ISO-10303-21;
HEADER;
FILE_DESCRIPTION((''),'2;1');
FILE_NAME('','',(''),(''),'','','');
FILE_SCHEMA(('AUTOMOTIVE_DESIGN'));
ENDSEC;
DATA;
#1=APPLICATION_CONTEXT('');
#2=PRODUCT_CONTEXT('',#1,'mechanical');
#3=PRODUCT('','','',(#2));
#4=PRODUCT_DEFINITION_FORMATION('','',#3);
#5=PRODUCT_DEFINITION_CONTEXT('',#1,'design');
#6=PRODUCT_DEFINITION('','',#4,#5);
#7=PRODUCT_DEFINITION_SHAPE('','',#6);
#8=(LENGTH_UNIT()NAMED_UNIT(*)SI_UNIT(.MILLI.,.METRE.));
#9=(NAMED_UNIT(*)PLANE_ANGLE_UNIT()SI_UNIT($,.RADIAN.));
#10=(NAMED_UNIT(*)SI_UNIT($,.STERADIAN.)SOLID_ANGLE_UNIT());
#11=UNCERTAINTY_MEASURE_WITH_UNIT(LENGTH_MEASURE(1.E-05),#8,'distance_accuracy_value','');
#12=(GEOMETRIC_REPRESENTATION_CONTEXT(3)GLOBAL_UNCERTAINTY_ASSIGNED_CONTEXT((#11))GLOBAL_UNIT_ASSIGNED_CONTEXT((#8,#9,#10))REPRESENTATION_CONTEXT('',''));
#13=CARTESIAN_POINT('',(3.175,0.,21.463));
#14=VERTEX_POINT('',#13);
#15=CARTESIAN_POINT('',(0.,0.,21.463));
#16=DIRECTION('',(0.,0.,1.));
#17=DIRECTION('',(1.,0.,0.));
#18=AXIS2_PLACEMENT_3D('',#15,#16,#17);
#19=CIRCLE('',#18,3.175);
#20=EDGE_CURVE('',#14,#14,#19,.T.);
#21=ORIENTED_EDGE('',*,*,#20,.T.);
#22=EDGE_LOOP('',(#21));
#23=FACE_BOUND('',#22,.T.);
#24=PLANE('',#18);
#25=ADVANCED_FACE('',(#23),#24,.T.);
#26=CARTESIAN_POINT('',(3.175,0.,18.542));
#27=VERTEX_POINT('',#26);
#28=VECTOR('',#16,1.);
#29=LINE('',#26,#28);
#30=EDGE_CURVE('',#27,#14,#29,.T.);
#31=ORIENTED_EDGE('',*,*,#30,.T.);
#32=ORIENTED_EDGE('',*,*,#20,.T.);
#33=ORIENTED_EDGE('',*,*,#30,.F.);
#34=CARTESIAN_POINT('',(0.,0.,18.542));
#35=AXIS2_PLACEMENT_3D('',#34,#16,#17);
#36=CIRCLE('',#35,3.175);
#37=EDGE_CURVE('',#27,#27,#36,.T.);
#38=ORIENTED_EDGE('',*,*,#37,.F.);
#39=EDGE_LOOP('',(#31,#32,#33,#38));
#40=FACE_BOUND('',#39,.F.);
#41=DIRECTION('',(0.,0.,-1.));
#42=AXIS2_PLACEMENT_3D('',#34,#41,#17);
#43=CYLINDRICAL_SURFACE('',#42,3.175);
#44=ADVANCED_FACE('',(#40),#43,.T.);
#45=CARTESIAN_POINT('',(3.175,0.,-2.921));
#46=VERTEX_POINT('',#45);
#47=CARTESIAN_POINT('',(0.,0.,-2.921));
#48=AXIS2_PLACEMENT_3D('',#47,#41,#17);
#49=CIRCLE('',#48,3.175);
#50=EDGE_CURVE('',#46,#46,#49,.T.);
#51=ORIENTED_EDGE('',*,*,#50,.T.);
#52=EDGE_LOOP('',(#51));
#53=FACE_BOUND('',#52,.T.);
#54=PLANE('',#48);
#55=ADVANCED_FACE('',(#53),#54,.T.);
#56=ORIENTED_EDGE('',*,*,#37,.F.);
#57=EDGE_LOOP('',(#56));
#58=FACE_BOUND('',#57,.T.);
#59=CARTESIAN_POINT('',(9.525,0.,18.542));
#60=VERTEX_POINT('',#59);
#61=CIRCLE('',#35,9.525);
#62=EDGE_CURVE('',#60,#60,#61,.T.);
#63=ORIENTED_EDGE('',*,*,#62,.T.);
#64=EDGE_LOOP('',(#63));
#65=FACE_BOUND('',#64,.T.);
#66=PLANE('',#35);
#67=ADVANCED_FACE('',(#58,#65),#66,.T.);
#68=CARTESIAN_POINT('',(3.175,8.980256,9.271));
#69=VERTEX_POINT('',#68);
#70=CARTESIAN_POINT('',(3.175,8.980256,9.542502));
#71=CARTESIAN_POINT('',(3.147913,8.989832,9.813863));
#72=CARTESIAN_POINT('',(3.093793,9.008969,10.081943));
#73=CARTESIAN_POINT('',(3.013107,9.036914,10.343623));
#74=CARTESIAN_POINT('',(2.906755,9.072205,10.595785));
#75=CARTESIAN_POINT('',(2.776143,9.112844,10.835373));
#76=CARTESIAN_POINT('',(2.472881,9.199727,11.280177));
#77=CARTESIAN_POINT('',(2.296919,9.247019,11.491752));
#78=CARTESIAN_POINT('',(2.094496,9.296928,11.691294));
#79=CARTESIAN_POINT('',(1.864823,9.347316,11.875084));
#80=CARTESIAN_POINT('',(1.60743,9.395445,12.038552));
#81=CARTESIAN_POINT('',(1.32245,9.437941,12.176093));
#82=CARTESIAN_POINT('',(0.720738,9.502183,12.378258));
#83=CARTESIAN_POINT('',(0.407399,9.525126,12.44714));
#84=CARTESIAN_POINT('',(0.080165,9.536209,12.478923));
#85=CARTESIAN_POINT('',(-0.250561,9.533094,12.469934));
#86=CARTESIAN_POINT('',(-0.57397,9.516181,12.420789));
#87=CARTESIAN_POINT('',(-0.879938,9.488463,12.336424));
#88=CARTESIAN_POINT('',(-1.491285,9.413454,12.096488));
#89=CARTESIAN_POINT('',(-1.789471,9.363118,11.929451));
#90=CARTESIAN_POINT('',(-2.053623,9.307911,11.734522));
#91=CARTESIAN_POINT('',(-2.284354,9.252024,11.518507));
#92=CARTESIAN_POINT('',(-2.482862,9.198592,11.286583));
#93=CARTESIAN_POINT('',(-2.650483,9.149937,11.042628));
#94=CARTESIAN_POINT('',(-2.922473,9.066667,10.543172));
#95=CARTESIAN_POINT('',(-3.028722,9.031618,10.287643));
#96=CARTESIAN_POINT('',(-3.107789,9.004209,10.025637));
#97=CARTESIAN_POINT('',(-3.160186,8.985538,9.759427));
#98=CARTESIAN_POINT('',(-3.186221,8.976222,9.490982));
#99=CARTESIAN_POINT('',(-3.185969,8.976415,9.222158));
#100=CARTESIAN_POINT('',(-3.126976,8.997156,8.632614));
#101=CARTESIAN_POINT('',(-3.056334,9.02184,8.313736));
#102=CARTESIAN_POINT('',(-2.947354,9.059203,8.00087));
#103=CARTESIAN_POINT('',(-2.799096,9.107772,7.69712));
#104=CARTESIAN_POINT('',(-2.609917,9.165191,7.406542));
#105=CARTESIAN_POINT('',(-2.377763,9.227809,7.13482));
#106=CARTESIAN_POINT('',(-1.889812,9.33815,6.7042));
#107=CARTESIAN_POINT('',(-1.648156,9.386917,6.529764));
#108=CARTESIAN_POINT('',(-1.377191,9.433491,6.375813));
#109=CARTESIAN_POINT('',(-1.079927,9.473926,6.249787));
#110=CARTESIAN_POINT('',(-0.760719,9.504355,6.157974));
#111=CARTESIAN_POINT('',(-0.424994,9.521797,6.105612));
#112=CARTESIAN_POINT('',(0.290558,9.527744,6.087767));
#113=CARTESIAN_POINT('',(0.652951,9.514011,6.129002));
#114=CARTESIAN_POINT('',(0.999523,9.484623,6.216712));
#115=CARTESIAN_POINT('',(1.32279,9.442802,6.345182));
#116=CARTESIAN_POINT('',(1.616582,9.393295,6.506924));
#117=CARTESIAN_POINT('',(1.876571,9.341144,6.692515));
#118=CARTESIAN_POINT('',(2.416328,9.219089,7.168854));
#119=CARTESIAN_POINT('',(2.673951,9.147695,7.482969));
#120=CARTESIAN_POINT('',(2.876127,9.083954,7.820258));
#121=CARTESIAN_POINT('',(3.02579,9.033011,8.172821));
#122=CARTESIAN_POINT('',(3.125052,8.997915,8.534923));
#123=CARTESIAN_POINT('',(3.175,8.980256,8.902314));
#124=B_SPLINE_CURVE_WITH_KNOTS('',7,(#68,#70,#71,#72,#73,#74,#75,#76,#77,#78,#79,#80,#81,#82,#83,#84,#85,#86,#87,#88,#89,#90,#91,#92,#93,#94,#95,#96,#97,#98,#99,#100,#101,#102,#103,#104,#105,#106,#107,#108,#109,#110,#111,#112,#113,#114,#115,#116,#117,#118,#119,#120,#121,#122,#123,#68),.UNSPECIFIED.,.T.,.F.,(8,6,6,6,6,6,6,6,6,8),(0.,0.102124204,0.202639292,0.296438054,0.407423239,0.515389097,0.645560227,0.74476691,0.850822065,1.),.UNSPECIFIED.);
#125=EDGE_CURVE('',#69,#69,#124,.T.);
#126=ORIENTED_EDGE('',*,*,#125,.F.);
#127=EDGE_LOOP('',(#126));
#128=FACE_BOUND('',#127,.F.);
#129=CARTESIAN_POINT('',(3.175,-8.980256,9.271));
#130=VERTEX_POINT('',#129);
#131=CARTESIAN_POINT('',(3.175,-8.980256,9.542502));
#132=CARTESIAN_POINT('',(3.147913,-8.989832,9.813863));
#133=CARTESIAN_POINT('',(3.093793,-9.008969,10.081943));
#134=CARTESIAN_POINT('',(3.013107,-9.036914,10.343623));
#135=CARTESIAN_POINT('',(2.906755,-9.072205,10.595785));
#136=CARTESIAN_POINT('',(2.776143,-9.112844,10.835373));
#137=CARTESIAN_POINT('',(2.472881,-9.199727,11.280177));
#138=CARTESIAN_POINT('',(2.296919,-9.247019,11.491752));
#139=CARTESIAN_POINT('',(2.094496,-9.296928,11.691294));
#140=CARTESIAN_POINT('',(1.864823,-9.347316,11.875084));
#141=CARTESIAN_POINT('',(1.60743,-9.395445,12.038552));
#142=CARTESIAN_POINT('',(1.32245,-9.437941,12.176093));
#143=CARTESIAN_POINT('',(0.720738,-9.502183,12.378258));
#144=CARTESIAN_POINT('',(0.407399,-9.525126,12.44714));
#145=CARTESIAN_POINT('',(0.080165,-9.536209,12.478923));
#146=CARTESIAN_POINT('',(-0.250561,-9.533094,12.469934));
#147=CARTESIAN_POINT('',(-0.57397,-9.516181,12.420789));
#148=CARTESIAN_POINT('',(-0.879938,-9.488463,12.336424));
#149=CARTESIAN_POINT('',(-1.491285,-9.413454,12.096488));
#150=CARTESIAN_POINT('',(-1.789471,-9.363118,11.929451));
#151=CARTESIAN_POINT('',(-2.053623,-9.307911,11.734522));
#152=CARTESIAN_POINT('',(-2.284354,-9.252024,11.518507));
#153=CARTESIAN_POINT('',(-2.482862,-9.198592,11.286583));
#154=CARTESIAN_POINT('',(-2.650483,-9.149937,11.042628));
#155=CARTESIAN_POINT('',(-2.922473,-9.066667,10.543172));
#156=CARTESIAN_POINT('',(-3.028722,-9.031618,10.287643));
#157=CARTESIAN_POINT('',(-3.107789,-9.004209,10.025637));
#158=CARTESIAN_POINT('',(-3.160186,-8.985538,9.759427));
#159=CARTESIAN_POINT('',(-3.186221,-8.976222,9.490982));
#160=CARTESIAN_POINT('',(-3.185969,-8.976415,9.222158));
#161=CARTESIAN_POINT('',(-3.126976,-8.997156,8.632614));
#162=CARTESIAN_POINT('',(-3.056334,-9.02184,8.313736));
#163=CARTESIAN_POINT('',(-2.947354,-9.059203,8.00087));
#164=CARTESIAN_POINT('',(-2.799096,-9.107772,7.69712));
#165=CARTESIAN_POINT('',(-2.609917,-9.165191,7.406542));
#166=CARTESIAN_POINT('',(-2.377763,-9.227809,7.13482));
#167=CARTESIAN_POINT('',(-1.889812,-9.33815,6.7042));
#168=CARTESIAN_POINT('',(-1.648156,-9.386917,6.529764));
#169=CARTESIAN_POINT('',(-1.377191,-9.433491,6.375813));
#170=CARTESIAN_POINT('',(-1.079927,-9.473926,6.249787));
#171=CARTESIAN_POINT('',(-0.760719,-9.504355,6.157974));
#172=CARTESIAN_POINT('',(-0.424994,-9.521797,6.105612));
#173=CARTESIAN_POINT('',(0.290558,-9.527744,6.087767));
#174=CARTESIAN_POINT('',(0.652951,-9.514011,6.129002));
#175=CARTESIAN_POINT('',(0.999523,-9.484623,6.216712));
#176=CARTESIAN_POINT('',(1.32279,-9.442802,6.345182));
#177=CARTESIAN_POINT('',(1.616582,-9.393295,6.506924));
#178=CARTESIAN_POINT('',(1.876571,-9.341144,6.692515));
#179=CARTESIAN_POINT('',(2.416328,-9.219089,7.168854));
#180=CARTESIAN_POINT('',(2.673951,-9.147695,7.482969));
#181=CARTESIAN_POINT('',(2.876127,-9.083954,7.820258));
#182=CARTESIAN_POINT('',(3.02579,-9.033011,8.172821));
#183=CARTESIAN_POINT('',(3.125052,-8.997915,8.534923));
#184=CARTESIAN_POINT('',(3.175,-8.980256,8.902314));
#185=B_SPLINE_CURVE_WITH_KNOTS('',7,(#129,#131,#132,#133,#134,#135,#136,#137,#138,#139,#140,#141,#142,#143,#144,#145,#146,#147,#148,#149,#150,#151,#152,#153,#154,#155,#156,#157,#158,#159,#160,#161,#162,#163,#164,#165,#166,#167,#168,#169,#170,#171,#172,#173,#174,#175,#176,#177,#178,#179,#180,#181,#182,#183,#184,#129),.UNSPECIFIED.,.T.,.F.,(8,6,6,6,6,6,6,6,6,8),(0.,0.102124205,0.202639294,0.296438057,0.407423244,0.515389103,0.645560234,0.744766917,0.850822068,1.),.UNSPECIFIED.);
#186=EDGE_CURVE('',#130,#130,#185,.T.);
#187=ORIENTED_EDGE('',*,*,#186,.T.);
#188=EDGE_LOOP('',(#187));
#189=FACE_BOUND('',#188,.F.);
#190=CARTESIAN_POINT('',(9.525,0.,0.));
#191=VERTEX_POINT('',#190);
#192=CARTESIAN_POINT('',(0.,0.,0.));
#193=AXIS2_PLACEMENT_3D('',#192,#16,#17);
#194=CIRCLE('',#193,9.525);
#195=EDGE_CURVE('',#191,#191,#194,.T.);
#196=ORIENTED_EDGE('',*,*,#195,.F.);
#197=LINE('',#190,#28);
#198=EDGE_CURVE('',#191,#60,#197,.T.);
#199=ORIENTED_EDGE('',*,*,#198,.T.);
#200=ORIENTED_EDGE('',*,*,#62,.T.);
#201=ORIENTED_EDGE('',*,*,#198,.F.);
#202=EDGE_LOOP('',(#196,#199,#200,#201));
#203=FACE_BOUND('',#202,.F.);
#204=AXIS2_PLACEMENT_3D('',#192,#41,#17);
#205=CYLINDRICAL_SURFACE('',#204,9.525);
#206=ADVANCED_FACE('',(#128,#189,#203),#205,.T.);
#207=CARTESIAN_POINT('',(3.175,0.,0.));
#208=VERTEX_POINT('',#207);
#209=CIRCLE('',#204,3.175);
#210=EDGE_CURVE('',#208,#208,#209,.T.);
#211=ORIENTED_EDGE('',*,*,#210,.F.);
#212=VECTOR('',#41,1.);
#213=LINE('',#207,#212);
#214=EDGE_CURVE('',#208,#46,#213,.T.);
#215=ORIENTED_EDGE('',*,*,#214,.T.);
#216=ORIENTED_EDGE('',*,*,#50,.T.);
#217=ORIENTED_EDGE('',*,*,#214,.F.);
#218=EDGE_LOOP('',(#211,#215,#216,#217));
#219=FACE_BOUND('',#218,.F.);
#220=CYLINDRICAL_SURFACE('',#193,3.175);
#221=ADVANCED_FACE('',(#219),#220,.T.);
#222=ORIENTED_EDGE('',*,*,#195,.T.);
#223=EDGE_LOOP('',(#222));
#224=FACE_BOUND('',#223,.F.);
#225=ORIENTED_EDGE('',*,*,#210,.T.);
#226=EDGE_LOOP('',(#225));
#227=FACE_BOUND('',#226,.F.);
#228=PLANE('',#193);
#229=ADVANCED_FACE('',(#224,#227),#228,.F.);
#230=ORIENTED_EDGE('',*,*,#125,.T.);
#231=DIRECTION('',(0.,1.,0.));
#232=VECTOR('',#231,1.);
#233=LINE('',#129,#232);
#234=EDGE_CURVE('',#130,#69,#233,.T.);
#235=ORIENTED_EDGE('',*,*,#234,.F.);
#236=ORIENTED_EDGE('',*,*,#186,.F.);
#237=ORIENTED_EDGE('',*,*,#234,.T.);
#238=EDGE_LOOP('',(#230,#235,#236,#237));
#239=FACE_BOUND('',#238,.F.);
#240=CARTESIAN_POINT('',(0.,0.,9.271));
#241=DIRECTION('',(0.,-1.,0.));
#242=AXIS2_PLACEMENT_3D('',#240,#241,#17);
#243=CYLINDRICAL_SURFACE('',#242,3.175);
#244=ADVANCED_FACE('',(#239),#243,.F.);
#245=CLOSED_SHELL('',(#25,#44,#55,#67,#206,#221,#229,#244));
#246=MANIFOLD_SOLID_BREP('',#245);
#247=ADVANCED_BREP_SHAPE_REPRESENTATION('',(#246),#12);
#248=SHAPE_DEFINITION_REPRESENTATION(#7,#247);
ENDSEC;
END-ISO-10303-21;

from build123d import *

# Parameters (mm, degrees)
F0_R          = 9.525
F1_DEPTH      = 18.542
F2_R          = 3.175
F3_DEPTH      = 2.921
F4_R          = 3.175
F5_DEPTH      = 2.921
F6_R          = 3.175
F7_DEPTH      = 25.4
F7_DEPTH_BACK = 25.4


with BuildPart() as f1:
    # F0 (on Top) → F1 (new body)
    with BuildSketch(Plane.XY):
        Circle(F0_R)
    extrude(amount=F1_DEPTH)

    # F2 (on face) → F3 (join)
    with BuildSketch(Plane.XY.offset(18.542)):
        Circle(F2_R)
    extrude(amount=F3_DEPTH)

    # F4 (on face) → F5 (join)
    with BuildSketch(Plane(origin=(0, 0, 0), x_dir=(1, 0, 0), z_dir=(0, 0, -1))):
        Circle(F4_R)
    extrude(amount=F5_DEPTH)

    # F6 (on Front) → F7 (cut, two sides)
    with BuildSketch(Plane.XZ) as f7_sk:
        with Locations((0, 9.271)):
            Circle(F6_R)
    extrude(amount=-F7_DEPTH, mode=Mode.SUBTRACT)
    extrude(f7_sk.sketch, amount=F7_DEPTH_BACK, mode=Mode.SUBTRACT)


solid = f1.part
